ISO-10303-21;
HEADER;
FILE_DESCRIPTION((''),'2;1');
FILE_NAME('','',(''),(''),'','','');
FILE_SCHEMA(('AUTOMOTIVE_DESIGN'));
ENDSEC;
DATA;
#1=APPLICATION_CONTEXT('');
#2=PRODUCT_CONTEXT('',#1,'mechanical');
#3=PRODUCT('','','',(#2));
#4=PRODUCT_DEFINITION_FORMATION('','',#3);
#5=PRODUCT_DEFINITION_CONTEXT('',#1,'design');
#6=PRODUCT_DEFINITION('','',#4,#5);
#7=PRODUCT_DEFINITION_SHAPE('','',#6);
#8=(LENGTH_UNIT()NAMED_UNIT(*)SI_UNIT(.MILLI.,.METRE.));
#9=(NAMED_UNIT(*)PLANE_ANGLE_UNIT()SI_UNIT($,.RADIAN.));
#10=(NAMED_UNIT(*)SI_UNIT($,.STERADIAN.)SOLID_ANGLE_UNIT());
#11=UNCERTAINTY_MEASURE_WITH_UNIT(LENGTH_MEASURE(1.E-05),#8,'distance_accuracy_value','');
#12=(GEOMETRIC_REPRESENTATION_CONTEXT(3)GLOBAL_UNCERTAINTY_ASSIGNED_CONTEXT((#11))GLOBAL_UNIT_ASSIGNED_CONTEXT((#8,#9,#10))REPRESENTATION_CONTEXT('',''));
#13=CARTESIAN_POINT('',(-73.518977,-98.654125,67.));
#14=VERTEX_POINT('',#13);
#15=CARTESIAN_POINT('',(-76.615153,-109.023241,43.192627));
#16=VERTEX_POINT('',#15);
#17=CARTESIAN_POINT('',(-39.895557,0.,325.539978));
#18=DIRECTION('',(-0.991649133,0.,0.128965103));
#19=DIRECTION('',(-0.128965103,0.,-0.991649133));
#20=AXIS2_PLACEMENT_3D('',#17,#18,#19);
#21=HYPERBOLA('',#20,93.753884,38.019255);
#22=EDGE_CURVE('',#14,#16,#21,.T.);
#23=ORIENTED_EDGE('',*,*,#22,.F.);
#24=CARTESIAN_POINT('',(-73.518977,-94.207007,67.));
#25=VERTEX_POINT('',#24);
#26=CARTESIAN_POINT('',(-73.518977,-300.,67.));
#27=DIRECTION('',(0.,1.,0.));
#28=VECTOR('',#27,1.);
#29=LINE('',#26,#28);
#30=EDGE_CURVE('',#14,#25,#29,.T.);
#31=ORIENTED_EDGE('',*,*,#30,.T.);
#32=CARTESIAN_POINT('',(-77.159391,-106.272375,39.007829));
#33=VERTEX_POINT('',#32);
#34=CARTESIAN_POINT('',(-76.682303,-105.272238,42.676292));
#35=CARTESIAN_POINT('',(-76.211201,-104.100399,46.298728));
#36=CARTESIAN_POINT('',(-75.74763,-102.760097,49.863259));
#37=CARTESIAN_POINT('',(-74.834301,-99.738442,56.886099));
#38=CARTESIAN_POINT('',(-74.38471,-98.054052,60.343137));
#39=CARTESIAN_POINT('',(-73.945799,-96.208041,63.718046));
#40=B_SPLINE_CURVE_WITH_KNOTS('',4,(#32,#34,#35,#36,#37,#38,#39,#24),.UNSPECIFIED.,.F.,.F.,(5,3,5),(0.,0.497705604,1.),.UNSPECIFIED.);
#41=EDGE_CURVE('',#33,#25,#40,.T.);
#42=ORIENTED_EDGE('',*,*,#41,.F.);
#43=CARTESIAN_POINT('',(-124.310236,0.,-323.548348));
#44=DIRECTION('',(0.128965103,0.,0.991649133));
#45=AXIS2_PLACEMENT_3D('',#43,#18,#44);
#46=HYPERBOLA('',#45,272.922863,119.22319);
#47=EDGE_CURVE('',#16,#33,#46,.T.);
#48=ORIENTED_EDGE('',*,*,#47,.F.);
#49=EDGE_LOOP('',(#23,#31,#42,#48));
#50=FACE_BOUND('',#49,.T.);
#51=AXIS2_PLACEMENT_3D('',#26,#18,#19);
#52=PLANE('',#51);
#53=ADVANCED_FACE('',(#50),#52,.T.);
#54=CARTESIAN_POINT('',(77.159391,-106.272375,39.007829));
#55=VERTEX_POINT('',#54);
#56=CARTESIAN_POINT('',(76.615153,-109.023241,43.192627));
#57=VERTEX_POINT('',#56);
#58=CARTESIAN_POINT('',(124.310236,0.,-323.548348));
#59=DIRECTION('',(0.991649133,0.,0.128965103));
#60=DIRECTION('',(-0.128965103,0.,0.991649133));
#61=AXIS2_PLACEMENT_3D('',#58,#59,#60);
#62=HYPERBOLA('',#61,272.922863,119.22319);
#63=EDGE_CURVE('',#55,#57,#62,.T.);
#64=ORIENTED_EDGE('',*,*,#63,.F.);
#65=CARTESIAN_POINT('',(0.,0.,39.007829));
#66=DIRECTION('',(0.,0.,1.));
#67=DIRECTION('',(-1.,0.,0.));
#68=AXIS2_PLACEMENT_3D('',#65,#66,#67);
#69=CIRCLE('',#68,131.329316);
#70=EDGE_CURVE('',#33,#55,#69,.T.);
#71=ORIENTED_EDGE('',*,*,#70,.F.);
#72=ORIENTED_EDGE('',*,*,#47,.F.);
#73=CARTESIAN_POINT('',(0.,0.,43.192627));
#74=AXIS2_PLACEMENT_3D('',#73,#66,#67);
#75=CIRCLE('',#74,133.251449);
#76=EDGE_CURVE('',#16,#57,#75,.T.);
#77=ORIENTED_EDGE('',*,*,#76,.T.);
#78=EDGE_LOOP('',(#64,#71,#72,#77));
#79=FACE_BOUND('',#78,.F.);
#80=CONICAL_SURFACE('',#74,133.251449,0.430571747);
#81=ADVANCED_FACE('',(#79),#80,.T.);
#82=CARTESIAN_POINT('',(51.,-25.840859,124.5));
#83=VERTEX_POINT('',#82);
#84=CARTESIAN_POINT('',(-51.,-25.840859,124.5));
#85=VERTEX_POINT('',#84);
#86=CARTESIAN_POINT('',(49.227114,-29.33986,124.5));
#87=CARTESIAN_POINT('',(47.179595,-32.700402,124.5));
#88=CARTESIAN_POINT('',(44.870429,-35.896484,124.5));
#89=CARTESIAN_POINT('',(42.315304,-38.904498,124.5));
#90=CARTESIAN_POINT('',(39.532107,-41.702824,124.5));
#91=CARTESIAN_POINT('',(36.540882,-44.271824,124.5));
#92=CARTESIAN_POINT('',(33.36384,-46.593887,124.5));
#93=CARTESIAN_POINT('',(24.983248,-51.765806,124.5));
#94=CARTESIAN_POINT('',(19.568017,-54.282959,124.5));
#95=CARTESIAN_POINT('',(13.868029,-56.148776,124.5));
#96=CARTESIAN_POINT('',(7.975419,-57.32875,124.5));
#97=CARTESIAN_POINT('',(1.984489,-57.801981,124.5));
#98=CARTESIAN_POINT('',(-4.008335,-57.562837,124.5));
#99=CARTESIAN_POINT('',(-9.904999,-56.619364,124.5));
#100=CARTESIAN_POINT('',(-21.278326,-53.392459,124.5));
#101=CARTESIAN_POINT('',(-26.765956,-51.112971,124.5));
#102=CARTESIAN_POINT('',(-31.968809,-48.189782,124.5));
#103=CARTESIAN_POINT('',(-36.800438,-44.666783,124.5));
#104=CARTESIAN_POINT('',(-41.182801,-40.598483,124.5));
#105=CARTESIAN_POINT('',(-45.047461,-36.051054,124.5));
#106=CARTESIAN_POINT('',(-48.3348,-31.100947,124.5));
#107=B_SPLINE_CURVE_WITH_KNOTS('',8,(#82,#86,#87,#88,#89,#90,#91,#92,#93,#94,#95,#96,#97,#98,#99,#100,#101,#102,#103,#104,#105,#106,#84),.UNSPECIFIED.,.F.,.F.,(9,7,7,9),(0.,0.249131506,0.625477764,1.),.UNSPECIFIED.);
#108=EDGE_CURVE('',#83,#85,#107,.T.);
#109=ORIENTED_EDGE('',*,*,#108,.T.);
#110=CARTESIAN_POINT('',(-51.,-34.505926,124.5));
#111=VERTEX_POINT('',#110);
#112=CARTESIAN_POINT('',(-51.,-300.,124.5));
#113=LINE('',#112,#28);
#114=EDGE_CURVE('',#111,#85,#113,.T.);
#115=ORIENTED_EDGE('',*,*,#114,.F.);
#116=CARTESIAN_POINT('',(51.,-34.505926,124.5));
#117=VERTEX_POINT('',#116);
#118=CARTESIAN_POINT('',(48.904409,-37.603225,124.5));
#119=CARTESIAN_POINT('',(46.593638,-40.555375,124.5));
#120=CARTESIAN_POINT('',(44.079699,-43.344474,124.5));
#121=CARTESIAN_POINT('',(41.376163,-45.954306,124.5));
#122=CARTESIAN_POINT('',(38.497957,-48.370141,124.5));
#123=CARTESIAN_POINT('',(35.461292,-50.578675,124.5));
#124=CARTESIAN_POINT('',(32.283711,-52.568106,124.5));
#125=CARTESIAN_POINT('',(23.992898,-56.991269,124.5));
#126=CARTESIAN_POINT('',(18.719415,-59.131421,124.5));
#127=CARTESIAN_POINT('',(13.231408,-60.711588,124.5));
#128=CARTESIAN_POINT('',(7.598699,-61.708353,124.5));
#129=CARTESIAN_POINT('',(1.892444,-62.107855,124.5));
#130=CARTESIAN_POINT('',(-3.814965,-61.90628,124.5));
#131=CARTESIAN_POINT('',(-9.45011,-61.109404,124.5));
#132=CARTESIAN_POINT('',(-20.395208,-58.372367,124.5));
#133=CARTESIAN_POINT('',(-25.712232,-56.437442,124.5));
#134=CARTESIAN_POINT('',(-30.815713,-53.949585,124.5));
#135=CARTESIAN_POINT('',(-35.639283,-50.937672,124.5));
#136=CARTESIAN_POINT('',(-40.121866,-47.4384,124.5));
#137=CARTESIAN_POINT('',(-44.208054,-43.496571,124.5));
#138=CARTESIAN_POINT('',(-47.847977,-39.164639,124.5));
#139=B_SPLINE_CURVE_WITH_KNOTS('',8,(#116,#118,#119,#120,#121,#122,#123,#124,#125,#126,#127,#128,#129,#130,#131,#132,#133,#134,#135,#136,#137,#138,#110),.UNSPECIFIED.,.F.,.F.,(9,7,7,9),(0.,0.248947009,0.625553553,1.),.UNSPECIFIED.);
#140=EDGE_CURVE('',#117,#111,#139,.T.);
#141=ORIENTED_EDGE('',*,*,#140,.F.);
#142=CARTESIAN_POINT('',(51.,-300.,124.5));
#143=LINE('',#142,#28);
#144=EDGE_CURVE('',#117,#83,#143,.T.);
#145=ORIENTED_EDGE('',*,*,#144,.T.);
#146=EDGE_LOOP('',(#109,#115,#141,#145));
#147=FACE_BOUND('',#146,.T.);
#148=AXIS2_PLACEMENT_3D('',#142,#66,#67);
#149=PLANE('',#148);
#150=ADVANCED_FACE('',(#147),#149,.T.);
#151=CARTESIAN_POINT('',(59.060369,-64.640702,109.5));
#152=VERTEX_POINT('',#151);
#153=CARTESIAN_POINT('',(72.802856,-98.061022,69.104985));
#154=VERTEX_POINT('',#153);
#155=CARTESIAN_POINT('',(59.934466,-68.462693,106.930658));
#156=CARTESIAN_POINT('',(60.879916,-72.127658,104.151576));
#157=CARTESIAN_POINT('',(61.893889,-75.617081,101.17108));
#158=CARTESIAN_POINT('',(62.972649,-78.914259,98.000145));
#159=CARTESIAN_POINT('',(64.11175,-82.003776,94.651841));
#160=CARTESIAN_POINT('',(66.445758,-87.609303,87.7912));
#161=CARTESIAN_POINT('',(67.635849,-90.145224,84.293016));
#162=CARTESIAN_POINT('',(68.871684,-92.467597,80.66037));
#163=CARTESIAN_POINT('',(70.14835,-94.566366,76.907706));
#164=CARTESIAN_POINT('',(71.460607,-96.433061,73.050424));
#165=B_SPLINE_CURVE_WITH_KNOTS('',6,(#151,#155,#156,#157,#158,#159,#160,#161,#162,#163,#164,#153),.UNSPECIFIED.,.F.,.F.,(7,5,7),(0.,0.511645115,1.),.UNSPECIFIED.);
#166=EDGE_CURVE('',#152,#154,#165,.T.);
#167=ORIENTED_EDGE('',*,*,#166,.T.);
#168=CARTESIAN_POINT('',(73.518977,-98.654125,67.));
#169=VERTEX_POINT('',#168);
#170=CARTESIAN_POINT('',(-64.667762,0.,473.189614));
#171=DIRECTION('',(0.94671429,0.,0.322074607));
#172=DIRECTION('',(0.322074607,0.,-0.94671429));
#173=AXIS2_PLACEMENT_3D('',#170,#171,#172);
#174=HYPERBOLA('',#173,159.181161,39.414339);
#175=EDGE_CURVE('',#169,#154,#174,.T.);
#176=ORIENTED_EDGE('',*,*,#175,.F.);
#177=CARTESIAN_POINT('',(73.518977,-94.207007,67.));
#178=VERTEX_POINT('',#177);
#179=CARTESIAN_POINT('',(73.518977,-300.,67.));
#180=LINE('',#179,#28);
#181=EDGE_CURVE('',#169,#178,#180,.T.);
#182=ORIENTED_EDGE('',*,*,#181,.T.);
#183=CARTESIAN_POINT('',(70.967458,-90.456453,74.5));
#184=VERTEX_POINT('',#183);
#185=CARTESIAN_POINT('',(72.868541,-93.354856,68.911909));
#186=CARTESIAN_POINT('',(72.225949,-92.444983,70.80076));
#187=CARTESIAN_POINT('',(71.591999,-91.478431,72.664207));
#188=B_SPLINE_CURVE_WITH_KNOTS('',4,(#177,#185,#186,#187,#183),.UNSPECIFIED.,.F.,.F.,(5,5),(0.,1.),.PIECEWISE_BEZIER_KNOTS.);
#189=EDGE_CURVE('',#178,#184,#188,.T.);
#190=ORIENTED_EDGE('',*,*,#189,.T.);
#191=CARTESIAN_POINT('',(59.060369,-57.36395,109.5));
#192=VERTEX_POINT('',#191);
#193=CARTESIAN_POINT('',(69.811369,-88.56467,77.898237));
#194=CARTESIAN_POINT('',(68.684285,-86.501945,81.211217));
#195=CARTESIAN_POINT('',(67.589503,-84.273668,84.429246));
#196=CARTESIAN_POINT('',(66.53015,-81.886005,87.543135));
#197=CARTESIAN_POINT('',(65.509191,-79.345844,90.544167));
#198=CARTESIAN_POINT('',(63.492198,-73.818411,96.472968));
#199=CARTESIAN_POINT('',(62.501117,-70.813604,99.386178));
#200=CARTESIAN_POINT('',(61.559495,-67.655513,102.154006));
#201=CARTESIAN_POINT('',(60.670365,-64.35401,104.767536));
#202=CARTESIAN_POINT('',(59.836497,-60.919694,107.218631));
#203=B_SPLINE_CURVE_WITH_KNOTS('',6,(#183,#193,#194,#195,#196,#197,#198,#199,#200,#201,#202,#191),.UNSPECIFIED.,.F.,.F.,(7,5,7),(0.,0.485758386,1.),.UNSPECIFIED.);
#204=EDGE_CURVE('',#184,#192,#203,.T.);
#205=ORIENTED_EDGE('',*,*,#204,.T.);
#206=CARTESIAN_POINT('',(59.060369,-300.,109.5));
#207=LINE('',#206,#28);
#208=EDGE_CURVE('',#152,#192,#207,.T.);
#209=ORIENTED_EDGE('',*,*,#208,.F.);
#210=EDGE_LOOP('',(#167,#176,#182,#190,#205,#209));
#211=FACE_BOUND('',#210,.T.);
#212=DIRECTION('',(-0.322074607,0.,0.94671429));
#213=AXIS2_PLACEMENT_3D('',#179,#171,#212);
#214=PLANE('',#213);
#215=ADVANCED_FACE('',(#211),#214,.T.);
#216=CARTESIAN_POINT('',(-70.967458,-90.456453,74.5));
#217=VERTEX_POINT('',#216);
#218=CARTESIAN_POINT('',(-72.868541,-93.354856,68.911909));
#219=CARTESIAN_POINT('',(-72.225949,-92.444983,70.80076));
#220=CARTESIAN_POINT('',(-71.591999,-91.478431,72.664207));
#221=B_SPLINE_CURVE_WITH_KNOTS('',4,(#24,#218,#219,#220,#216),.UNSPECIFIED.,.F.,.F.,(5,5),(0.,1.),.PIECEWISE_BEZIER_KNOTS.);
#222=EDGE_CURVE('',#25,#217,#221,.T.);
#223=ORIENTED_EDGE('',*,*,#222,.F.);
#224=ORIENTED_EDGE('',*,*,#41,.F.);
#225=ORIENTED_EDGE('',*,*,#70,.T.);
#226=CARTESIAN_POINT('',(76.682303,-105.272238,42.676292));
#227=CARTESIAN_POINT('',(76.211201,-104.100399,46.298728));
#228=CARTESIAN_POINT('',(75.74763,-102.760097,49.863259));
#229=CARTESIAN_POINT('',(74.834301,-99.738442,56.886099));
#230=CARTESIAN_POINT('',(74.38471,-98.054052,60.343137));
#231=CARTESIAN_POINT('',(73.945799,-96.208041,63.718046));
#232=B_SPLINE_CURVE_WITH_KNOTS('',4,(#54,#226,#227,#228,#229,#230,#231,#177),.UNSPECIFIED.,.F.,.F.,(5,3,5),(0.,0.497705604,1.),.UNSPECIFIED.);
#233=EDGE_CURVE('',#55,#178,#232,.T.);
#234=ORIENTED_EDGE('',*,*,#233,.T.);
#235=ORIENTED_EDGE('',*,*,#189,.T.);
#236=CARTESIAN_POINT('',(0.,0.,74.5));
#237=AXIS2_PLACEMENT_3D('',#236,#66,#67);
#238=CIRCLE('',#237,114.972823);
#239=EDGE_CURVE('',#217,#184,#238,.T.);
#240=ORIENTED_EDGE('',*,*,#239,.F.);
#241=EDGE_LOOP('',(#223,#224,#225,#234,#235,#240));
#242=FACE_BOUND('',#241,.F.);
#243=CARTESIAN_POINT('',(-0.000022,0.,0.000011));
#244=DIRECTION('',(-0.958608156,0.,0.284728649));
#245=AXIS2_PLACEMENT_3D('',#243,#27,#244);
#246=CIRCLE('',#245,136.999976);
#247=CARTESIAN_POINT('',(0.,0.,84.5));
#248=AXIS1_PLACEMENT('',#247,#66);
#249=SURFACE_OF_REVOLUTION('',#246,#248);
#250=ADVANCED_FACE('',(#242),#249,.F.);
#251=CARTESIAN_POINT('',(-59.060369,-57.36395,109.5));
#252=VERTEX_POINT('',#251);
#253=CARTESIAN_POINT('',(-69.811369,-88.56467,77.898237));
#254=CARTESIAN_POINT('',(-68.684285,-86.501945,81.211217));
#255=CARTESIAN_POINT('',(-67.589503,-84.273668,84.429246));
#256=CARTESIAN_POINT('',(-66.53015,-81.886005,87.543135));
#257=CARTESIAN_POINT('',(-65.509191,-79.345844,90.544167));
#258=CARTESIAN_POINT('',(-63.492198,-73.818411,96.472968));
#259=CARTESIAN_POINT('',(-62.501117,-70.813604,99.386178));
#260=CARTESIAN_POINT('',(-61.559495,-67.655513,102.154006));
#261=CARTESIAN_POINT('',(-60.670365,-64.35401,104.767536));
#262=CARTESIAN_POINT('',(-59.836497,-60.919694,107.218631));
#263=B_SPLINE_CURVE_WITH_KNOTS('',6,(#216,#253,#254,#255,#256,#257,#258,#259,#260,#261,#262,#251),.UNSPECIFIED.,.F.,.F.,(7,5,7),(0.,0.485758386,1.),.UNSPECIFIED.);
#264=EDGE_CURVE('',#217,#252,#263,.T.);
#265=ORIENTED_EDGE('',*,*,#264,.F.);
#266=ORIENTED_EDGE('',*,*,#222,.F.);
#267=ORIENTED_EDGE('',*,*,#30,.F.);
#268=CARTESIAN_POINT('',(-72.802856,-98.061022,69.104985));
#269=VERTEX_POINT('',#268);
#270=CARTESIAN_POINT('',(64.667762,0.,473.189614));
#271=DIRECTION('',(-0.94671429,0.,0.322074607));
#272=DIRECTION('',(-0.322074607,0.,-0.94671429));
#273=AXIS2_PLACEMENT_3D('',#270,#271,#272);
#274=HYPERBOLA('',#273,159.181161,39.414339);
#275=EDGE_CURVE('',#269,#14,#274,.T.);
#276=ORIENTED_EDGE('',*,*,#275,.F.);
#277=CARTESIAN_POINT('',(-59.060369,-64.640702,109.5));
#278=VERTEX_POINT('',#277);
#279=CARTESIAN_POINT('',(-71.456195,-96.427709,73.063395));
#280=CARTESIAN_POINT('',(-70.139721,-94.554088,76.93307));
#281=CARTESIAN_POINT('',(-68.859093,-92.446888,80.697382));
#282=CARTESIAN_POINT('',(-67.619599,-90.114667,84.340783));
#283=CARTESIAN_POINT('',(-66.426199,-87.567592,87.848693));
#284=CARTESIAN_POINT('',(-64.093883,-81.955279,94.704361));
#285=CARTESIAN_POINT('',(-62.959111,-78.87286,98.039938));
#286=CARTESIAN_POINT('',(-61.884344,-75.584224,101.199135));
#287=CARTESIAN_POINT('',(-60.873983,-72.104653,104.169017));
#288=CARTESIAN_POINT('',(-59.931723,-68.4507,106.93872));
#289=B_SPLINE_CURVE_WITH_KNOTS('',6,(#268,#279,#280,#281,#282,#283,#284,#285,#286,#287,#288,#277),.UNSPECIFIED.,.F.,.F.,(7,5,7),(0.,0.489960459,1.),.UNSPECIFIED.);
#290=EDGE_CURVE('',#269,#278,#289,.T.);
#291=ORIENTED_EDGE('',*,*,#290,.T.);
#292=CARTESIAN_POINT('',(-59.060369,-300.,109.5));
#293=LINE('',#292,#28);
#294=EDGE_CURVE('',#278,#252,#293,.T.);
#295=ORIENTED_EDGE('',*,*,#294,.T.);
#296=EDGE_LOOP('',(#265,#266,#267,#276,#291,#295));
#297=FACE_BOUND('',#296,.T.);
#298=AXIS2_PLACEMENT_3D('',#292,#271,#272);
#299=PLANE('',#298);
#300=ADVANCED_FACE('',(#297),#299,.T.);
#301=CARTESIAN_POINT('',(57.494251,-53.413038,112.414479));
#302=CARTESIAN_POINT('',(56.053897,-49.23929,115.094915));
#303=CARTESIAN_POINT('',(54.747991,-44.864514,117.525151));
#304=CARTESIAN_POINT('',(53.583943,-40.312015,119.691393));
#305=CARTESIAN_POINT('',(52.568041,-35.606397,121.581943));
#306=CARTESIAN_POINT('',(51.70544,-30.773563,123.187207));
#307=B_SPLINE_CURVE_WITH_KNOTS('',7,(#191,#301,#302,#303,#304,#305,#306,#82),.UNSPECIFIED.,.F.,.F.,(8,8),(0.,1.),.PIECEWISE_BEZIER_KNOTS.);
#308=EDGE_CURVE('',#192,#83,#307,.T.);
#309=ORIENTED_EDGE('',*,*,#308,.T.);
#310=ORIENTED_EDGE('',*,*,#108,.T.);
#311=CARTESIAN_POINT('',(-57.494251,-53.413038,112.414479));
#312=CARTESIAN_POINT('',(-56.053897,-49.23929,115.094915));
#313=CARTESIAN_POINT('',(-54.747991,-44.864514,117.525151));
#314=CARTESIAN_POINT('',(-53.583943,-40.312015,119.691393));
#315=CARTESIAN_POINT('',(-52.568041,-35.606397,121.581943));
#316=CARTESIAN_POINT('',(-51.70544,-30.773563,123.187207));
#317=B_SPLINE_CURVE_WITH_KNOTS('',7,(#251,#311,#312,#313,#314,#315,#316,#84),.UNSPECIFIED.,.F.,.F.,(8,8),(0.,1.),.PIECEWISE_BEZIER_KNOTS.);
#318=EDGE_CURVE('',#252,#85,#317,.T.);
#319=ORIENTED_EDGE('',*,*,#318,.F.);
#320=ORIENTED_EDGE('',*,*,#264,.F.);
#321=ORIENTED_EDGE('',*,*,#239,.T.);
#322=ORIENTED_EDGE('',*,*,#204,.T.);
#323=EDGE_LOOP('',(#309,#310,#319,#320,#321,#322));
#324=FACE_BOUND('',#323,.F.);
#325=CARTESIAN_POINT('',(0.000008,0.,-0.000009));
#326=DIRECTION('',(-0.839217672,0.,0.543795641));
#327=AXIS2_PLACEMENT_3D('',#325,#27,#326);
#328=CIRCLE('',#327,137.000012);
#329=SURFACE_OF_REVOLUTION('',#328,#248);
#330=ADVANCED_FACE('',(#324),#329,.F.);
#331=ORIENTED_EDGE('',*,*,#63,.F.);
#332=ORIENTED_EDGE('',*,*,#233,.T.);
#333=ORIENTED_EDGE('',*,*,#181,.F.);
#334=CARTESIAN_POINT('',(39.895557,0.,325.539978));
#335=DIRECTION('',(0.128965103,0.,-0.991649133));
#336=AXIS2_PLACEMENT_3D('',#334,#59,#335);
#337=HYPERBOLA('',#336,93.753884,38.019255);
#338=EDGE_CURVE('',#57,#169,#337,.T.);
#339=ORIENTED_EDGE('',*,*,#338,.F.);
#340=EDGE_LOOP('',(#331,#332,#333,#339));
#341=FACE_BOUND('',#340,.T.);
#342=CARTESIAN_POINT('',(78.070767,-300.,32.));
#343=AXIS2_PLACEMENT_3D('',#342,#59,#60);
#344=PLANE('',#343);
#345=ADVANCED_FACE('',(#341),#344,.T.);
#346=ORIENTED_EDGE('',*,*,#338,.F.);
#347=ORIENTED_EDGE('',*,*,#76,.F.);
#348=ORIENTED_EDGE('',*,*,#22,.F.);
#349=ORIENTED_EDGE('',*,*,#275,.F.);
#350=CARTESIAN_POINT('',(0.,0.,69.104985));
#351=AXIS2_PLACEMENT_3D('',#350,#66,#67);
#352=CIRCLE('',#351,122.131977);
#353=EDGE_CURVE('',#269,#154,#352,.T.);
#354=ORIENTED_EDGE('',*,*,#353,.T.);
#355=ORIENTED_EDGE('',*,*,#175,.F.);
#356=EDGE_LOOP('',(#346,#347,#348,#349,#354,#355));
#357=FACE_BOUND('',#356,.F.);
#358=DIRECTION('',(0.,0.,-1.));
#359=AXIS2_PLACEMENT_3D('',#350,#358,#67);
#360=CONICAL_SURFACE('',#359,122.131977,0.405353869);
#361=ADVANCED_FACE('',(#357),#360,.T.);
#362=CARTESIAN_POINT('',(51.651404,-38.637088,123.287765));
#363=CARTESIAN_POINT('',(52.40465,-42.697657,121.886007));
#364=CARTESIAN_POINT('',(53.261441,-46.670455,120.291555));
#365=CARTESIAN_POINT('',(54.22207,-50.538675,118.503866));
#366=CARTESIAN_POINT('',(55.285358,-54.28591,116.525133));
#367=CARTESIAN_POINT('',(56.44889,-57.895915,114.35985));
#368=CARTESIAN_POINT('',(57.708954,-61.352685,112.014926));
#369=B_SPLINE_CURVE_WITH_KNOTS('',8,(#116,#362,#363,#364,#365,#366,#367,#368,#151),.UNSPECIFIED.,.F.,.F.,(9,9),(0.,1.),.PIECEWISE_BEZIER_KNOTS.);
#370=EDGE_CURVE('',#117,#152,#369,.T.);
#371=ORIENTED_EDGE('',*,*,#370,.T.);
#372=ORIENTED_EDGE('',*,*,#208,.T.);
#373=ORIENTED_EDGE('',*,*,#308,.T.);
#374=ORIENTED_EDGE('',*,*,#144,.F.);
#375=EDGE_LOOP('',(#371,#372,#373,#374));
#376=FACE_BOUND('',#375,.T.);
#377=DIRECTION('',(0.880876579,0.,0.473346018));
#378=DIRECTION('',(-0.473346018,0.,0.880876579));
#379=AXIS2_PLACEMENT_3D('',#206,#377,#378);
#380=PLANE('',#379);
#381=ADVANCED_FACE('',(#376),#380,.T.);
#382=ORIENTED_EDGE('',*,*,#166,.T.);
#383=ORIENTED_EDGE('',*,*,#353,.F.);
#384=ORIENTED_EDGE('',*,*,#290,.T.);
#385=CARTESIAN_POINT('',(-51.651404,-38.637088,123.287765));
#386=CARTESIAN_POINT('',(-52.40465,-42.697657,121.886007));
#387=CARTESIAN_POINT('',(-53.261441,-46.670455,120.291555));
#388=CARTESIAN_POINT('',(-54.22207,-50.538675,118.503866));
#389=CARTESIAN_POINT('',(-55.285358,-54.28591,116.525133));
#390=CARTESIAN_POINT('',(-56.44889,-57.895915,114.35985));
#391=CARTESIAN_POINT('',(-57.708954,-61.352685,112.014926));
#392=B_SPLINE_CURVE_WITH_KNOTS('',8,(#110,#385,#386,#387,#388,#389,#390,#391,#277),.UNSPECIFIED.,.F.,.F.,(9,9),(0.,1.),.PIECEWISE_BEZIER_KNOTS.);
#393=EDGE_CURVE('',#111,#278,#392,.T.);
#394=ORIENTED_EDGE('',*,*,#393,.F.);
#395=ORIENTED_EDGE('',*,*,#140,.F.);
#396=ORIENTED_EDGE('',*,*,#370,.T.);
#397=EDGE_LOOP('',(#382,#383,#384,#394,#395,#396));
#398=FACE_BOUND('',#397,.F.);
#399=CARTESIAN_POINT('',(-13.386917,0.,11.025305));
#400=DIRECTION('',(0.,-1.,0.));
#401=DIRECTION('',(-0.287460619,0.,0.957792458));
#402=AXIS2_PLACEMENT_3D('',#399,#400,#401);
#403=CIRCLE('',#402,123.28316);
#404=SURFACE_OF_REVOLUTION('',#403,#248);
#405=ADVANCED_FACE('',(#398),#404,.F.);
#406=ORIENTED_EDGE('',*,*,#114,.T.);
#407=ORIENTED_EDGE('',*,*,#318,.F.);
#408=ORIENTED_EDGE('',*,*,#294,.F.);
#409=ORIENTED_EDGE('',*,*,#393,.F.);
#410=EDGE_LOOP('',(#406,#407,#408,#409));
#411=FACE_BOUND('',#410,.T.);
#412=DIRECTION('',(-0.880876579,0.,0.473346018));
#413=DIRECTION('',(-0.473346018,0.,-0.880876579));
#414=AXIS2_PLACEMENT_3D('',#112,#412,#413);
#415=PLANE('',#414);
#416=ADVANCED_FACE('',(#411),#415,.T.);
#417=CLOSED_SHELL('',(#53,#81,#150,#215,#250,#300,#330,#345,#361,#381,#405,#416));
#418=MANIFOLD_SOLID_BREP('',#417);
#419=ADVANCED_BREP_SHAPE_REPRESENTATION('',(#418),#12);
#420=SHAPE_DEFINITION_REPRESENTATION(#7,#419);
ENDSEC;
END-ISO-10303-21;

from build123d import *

# Parameters (mm, degrees)
F3_DEPTH = 289.29368


with BuildPart() as f3:
    # F2 (on offset) → F3 (new body)
    with BuildSketch(Plane.XZ.offset(300)):
        Polygon((51, 124.5), (0, 124.5), (-51, 124.5), (-59.060369, 109.5), (-73.518977, 67), (-78.070767, 32), (0, 32), (78.070767, 32), (73.518977, 67), (59.060369, 109.5), align=None)
    extrude(amount=-F3_DEPTH)

    # F0 (on Front) → F4 (revolve, intersect)
    with BuildSketch(Plane.XZ):
        with BuildLine():
            ThreePointArc((-131.329316, 39.007829), (-124.423107, 57.34013), (-114.972823, 74.5))
            ThreePointArc((-114.972823, 74.5), (-84.913273, 107.511562), (-45.835608, 129.104985))
            Line((-45.835608, 129.104985), (-48.82597, 129.104985))
            ThreePointArc((-48.82597, 129.104985), (-91.4719, 106.426944), (-122.131977, 69.104985))
            Line((-122.131977, 69.104985), (-133.251449, 43.192627))
            Line((-133.251449, 43.192627), (-131.329316, 39.007829))
        make_face()
    revolve(axis=Axis((0, 0, 84.5), (0, 0, 1)), mode=Mode.INTERSECT)


solid = f3.part
